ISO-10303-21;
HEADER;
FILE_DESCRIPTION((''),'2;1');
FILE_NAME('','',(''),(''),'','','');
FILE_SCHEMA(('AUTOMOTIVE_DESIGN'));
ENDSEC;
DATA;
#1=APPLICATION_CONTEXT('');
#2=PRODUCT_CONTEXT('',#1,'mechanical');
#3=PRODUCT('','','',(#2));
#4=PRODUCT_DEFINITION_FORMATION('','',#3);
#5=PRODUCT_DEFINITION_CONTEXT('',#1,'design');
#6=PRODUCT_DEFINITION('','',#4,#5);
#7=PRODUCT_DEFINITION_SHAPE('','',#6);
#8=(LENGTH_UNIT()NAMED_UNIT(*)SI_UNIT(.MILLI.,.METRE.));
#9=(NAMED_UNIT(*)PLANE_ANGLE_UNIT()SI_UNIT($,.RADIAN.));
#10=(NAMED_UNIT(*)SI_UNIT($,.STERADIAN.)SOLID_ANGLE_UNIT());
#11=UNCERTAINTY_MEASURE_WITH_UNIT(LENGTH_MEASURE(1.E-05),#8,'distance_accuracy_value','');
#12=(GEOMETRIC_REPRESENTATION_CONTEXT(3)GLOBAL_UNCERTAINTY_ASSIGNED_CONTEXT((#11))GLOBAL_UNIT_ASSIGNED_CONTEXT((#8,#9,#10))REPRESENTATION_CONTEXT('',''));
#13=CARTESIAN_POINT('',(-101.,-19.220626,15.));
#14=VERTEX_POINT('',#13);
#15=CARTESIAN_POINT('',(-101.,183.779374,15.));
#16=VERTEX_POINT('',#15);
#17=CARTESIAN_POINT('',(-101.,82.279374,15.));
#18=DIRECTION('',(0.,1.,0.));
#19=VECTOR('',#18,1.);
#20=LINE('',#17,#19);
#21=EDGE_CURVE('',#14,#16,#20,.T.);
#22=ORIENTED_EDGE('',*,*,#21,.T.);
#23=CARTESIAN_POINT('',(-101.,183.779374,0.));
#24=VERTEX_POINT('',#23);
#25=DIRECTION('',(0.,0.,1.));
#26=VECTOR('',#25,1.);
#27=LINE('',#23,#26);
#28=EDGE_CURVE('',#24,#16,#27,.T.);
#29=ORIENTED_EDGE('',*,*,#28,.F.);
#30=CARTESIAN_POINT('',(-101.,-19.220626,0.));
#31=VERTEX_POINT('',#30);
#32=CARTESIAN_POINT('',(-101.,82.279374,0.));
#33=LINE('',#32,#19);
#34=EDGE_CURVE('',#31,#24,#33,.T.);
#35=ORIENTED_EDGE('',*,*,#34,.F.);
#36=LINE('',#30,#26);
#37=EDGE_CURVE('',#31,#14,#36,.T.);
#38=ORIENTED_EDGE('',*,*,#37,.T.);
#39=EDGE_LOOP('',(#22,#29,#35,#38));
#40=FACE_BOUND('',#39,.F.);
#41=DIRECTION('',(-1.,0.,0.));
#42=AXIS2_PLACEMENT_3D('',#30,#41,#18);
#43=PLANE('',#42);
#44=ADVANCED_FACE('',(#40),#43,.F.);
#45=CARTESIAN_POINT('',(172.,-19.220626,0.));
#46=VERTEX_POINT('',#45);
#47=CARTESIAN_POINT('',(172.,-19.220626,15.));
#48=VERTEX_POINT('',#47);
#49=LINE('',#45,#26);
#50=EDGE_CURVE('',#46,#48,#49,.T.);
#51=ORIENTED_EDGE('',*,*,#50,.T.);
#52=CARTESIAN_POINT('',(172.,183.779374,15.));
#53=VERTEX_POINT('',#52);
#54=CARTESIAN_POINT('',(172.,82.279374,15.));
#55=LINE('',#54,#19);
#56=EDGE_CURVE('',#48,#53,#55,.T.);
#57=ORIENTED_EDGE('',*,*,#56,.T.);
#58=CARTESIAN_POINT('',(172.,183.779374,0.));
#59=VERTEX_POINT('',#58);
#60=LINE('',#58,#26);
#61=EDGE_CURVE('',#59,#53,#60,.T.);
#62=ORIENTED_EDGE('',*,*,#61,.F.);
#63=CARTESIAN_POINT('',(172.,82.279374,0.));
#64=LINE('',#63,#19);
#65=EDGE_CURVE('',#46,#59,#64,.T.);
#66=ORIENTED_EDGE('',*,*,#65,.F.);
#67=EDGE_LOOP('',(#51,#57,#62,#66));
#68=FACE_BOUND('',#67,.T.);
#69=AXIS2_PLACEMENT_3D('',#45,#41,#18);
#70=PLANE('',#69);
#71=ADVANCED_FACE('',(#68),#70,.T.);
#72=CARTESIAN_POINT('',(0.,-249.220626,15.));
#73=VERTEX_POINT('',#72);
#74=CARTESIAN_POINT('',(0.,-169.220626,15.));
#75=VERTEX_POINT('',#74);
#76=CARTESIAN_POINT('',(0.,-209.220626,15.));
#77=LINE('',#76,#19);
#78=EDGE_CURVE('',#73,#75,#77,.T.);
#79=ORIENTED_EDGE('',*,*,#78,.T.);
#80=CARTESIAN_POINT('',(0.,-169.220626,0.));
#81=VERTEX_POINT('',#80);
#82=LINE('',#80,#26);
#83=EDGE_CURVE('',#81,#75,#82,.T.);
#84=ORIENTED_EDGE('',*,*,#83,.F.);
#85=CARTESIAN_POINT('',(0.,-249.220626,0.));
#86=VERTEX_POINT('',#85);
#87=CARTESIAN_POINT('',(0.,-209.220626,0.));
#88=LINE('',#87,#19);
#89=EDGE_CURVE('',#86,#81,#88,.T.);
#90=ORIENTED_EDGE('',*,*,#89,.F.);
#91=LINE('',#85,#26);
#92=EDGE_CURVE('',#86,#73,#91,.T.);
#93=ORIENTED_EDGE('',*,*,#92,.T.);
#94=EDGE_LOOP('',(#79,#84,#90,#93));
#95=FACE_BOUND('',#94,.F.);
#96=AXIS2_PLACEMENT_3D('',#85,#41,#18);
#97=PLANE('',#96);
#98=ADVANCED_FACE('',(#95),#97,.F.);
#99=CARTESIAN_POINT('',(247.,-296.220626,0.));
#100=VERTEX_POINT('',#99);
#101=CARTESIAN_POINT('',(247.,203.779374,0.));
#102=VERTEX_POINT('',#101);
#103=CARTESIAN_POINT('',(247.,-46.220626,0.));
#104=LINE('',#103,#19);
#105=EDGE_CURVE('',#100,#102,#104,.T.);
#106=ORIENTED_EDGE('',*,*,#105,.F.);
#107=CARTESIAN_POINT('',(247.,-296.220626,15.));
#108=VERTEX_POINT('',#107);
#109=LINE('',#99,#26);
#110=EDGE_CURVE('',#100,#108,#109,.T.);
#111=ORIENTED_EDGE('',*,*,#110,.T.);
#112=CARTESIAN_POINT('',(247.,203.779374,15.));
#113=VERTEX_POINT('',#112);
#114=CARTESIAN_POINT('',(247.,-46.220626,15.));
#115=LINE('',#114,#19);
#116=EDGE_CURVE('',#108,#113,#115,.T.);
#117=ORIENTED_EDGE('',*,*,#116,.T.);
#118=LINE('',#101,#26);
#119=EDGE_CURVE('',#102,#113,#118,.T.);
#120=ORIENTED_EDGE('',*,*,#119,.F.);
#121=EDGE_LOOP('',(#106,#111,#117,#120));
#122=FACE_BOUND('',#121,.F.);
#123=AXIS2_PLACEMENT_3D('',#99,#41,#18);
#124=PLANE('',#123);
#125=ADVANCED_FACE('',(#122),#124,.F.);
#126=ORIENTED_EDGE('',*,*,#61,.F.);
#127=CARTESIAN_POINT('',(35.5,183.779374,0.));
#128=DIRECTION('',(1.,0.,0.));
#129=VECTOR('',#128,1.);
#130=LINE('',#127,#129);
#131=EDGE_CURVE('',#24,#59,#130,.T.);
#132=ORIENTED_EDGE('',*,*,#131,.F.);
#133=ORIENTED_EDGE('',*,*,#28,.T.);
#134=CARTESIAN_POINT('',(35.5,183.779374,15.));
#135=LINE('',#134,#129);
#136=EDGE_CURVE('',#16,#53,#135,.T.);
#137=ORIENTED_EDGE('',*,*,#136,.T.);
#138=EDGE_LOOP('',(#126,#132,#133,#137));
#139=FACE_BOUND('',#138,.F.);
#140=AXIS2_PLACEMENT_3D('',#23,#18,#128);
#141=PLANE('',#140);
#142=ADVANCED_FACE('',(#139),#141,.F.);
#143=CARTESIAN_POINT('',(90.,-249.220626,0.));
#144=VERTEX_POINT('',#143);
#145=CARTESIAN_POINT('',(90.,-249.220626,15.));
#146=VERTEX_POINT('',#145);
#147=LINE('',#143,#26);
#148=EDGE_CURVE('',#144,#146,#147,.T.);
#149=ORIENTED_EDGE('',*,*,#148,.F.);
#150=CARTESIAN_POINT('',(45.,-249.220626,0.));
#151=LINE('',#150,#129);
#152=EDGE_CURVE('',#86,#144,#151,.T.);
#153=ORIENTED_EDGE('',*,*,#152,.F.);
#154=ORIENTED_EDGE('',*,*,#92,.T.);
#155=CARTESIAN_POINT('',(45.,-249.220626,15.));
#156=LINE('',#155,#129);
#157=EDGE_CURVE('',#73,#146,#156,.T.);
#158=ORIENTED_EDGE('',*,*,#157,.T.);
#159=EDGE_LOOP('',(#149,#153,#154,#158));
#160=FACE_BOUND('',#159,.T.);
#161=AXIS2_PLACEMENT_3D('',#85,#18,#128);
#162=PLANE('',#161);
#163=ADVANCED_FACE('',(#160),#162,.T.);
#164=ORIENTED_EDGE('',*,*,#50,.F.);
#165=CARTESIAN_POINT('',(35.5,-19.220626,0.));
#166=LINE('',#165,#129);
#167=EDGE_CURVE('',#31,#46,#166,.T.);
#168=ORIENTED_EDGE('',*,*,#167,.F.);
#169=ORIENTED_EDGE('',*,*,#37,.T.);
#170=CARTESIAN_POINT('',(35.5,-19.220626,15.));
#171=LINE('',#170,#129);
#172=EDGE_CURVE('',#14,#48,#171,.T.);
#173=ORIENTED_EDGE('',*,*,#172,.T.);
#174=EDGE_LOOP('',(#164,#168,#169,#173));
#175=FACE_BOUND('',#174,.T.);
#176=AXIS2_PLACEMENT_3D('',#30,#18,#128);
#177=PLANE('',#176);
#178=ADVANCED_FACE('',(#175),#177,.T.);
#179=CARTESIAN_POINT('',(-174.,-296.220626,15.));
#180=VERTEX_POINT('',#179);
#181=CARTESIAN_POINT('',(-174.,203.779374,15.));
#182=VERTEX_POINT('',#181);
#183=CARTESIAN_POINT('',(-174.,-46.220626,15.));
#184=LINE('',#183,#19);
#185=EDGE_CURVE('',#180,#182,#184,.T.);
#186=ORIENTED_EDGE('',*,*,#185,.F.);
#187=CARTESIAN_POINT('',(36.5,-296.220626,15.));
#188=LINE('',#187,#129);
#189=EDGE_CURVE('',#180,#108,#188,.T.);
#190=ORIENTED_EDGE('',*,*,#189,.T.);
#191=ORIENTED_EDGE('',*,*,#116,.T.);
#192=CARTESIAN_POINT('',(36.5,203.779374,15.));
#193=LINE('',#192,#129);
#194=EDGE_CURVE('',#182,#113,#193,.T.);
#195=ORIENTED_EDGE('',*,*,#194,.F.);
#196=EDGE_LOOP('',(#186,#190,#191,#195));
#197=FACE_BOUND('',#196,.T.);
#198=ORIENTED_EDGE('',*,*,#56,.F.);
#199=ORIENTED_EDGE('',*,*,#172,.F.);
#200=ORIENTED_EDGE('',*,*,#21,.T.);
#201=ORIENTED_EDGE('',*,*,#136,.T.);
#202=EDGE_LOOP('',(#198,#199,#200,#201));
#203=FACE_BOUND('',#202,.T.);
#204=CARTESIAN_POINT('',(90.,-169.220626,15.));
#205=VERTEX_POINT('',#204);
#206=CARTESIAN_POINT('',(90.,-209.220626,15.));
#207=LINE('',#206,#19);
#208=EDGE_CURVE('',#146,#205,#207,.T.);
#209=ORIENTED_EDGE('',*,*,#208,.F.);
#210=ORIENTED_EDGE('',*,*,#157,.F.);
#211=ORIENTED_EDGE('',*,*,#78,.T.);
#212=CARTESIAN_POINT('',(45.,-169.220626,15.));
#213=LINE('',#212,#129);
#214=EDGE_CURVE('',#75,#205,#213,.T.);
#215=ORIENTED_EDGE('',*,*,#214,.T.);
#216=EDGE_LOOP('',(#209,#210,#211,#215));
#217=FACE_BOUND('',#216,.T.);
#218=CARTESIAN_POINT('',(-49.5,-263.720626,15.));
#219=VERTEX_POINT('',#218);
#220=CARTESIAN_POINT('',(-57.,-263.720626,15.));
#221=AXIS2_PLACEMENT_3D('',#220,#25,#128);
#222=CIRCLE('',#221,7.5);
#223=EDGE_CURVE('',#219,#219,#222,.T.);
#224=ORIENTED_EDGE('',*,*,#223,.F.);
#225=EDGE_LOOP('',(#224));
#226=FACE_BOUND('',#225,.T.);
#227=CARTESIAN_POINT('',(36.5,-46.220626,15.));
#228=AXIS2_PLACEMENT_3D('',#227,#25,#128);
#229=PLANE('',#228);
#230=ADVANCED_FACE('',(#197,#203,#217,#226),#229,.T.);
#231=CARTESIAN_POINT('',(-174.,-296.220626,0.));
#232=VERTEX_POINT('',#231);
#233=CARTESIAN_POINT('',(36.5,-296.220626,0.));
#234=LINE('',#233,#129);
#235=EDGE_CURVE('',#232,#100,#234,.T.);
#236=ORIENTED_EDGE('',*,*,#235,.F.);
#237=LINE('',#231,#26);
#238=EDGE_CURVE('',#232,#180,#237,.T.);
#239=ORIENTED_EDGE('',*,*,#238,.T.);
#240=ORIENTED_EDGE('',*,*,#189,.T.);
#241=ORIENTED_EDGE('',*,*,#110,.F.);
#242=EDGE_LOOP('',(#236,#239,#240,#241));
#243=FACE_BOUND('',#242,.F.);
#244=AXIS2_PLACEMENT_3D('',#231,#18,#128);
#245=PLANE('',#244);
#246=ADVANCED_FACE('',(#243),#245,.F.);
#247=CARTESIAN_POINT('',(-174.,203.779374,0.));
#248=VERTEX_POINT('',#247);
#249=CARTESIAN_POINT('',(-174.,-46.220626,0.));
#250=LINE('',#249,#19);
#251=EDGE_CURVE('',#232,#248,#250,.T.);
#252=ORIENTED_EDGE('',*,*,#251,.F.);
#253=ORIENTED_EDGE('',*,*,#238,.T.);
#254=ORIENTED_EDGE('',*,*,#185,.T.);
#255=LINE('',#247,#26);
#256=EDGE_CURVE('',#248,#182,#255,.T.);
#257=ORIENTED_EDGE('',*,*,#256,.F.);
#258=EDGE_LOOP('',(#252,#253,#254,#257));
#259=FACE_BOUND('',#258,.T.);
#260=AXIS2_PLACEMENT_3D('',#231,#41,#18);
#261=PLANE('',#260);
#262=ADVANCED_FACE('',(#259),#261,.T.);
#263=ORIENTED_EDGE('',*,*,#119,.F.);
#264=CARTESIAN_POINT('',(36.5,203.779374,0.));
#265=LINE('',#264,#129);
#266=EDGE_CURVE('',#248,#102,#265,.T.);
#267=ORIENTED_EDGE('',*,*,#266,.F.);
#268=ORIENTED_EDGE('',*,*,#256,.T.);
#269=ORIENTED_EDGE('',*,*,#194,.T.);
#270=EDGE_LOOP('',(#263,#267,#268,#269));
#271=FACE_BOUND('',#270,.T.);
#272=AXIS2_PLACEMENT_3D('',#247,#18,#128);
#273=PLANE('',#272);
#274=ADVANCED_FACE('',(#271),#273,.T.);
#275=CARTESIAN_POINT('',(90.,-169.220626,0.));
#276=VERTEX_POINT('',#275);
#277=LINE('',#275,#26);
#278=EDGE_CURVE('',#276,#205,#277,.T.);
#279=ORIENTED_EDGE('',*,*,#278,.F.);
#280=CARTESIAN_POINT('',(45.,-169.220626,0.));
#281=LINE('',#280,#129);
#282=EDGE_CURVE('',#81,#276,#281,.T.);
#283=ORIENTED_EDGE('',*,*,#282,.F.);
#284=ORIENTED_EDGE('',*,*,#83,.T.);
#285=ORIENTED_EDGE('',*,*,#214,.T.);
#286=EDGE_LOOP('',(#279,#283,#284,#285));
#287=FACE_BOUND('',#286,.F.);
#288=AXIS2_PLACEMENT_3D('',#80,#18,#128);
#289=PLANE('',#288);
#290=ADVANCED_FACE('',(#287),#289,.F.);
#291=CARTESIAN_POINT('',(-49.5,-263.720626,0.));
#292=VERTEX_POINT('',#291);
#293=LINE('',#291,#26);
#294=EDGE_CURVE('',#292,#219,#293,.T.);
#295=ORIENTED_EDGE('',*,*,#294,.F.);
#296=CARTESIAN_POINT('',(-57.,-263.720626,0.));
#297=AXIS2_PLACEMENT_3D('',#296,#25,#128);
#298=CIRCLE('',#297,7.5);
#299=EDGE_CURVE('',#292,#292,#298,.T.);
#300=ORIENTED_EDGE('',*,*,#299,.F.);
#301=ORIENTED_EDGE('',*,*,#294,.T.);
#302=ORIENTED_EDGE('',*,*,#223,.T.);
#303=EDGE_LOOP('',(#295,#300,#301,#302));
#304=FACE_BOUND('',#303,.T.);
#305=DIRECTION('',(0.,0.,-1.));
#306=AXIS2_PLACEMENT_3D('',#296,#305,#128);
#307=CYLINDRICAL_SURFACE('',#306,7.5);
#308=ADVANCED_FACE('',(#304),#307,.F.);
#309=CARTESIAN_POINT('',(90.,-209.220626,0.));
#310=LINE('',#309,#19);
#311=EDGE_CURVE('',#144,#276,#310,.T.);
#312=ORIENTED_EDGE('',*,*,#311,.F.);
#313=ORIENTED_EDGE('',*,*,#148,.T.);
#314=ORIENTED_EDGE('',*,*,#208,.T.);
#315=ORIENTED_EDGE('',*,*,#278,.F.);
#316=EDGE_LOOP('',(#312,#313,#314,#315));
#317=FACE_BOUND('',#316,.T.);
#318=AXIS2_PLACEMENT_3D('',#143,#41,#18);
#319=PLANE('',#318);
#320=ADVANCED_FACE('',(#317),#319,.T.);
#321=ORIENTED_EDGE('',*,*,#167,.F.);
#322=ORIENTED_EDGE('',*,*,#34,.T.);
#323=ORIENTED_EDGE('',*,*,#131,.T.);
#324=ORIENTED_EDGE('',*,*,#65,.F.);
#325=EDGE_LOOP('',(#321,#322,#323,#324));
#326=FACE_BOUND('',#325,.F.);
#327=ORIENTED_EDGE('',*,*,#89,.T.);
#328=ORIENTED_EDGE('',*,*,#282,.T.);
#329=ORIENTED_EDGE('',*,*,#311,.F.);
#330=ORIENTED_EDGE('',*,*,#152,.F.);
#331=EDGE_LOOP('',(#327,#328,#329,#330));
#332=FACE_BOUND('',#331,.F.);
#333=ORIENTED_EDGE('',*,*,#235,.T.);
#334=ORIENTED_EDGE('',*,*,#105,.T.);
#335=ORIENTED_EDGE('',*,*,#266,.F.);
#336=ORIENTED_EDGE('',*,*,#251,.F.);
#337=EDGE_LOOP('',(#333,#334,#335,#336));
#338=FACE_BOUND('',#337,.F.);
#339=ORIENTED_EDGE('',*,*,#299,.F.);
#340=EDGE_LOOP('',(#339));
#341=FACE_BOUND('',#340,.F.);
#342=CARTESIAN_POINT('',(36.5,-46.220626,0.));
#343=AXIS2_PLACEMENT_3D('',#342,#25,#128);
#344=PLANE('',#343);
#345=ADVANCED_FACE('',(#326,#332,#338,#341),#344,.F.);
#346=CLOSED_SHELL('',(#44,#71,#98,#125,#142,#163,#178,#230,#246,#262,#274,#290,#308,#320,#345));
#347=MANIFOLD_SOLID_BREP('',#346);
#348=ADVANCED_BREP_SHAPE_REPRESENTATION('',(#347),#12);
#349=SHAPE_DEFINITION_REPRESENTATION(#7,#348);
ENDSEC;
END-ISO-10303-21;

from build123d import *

# Parameters (mm, degrees)
F0_W     = 421
F0_H     = 500
F0_R     = 7.5
F0_W_2   = 90
F0_H_2   = 80
F0_W_3   = 273
F0_H_3   = 203
F1_DEPTH = 15


with BuildPart() as f1:
    # F0 (on Top) → F1 (new body)
    with BuildSketch(Plane.XY):
        with Locations((36.5, -46.220626)):
            Rectangle(F0_W, F0_H)
        with Locations((-57, -263.720626)):
            Circle(F0_R, mode=Mode.SUBTRACT)
        with Locations((45, -209.220626)):
            Rectangle(F0_W_2, F0_H_2, mode=Mode.SUBTRACT)
        with Locations((35.5, 82.279374)):
            Rectangle(F0_W_3, F0_H_3, mode=Mode.SUBTRACT)
    extrude(amount=F1_DEPTH)


solid = f1.part
